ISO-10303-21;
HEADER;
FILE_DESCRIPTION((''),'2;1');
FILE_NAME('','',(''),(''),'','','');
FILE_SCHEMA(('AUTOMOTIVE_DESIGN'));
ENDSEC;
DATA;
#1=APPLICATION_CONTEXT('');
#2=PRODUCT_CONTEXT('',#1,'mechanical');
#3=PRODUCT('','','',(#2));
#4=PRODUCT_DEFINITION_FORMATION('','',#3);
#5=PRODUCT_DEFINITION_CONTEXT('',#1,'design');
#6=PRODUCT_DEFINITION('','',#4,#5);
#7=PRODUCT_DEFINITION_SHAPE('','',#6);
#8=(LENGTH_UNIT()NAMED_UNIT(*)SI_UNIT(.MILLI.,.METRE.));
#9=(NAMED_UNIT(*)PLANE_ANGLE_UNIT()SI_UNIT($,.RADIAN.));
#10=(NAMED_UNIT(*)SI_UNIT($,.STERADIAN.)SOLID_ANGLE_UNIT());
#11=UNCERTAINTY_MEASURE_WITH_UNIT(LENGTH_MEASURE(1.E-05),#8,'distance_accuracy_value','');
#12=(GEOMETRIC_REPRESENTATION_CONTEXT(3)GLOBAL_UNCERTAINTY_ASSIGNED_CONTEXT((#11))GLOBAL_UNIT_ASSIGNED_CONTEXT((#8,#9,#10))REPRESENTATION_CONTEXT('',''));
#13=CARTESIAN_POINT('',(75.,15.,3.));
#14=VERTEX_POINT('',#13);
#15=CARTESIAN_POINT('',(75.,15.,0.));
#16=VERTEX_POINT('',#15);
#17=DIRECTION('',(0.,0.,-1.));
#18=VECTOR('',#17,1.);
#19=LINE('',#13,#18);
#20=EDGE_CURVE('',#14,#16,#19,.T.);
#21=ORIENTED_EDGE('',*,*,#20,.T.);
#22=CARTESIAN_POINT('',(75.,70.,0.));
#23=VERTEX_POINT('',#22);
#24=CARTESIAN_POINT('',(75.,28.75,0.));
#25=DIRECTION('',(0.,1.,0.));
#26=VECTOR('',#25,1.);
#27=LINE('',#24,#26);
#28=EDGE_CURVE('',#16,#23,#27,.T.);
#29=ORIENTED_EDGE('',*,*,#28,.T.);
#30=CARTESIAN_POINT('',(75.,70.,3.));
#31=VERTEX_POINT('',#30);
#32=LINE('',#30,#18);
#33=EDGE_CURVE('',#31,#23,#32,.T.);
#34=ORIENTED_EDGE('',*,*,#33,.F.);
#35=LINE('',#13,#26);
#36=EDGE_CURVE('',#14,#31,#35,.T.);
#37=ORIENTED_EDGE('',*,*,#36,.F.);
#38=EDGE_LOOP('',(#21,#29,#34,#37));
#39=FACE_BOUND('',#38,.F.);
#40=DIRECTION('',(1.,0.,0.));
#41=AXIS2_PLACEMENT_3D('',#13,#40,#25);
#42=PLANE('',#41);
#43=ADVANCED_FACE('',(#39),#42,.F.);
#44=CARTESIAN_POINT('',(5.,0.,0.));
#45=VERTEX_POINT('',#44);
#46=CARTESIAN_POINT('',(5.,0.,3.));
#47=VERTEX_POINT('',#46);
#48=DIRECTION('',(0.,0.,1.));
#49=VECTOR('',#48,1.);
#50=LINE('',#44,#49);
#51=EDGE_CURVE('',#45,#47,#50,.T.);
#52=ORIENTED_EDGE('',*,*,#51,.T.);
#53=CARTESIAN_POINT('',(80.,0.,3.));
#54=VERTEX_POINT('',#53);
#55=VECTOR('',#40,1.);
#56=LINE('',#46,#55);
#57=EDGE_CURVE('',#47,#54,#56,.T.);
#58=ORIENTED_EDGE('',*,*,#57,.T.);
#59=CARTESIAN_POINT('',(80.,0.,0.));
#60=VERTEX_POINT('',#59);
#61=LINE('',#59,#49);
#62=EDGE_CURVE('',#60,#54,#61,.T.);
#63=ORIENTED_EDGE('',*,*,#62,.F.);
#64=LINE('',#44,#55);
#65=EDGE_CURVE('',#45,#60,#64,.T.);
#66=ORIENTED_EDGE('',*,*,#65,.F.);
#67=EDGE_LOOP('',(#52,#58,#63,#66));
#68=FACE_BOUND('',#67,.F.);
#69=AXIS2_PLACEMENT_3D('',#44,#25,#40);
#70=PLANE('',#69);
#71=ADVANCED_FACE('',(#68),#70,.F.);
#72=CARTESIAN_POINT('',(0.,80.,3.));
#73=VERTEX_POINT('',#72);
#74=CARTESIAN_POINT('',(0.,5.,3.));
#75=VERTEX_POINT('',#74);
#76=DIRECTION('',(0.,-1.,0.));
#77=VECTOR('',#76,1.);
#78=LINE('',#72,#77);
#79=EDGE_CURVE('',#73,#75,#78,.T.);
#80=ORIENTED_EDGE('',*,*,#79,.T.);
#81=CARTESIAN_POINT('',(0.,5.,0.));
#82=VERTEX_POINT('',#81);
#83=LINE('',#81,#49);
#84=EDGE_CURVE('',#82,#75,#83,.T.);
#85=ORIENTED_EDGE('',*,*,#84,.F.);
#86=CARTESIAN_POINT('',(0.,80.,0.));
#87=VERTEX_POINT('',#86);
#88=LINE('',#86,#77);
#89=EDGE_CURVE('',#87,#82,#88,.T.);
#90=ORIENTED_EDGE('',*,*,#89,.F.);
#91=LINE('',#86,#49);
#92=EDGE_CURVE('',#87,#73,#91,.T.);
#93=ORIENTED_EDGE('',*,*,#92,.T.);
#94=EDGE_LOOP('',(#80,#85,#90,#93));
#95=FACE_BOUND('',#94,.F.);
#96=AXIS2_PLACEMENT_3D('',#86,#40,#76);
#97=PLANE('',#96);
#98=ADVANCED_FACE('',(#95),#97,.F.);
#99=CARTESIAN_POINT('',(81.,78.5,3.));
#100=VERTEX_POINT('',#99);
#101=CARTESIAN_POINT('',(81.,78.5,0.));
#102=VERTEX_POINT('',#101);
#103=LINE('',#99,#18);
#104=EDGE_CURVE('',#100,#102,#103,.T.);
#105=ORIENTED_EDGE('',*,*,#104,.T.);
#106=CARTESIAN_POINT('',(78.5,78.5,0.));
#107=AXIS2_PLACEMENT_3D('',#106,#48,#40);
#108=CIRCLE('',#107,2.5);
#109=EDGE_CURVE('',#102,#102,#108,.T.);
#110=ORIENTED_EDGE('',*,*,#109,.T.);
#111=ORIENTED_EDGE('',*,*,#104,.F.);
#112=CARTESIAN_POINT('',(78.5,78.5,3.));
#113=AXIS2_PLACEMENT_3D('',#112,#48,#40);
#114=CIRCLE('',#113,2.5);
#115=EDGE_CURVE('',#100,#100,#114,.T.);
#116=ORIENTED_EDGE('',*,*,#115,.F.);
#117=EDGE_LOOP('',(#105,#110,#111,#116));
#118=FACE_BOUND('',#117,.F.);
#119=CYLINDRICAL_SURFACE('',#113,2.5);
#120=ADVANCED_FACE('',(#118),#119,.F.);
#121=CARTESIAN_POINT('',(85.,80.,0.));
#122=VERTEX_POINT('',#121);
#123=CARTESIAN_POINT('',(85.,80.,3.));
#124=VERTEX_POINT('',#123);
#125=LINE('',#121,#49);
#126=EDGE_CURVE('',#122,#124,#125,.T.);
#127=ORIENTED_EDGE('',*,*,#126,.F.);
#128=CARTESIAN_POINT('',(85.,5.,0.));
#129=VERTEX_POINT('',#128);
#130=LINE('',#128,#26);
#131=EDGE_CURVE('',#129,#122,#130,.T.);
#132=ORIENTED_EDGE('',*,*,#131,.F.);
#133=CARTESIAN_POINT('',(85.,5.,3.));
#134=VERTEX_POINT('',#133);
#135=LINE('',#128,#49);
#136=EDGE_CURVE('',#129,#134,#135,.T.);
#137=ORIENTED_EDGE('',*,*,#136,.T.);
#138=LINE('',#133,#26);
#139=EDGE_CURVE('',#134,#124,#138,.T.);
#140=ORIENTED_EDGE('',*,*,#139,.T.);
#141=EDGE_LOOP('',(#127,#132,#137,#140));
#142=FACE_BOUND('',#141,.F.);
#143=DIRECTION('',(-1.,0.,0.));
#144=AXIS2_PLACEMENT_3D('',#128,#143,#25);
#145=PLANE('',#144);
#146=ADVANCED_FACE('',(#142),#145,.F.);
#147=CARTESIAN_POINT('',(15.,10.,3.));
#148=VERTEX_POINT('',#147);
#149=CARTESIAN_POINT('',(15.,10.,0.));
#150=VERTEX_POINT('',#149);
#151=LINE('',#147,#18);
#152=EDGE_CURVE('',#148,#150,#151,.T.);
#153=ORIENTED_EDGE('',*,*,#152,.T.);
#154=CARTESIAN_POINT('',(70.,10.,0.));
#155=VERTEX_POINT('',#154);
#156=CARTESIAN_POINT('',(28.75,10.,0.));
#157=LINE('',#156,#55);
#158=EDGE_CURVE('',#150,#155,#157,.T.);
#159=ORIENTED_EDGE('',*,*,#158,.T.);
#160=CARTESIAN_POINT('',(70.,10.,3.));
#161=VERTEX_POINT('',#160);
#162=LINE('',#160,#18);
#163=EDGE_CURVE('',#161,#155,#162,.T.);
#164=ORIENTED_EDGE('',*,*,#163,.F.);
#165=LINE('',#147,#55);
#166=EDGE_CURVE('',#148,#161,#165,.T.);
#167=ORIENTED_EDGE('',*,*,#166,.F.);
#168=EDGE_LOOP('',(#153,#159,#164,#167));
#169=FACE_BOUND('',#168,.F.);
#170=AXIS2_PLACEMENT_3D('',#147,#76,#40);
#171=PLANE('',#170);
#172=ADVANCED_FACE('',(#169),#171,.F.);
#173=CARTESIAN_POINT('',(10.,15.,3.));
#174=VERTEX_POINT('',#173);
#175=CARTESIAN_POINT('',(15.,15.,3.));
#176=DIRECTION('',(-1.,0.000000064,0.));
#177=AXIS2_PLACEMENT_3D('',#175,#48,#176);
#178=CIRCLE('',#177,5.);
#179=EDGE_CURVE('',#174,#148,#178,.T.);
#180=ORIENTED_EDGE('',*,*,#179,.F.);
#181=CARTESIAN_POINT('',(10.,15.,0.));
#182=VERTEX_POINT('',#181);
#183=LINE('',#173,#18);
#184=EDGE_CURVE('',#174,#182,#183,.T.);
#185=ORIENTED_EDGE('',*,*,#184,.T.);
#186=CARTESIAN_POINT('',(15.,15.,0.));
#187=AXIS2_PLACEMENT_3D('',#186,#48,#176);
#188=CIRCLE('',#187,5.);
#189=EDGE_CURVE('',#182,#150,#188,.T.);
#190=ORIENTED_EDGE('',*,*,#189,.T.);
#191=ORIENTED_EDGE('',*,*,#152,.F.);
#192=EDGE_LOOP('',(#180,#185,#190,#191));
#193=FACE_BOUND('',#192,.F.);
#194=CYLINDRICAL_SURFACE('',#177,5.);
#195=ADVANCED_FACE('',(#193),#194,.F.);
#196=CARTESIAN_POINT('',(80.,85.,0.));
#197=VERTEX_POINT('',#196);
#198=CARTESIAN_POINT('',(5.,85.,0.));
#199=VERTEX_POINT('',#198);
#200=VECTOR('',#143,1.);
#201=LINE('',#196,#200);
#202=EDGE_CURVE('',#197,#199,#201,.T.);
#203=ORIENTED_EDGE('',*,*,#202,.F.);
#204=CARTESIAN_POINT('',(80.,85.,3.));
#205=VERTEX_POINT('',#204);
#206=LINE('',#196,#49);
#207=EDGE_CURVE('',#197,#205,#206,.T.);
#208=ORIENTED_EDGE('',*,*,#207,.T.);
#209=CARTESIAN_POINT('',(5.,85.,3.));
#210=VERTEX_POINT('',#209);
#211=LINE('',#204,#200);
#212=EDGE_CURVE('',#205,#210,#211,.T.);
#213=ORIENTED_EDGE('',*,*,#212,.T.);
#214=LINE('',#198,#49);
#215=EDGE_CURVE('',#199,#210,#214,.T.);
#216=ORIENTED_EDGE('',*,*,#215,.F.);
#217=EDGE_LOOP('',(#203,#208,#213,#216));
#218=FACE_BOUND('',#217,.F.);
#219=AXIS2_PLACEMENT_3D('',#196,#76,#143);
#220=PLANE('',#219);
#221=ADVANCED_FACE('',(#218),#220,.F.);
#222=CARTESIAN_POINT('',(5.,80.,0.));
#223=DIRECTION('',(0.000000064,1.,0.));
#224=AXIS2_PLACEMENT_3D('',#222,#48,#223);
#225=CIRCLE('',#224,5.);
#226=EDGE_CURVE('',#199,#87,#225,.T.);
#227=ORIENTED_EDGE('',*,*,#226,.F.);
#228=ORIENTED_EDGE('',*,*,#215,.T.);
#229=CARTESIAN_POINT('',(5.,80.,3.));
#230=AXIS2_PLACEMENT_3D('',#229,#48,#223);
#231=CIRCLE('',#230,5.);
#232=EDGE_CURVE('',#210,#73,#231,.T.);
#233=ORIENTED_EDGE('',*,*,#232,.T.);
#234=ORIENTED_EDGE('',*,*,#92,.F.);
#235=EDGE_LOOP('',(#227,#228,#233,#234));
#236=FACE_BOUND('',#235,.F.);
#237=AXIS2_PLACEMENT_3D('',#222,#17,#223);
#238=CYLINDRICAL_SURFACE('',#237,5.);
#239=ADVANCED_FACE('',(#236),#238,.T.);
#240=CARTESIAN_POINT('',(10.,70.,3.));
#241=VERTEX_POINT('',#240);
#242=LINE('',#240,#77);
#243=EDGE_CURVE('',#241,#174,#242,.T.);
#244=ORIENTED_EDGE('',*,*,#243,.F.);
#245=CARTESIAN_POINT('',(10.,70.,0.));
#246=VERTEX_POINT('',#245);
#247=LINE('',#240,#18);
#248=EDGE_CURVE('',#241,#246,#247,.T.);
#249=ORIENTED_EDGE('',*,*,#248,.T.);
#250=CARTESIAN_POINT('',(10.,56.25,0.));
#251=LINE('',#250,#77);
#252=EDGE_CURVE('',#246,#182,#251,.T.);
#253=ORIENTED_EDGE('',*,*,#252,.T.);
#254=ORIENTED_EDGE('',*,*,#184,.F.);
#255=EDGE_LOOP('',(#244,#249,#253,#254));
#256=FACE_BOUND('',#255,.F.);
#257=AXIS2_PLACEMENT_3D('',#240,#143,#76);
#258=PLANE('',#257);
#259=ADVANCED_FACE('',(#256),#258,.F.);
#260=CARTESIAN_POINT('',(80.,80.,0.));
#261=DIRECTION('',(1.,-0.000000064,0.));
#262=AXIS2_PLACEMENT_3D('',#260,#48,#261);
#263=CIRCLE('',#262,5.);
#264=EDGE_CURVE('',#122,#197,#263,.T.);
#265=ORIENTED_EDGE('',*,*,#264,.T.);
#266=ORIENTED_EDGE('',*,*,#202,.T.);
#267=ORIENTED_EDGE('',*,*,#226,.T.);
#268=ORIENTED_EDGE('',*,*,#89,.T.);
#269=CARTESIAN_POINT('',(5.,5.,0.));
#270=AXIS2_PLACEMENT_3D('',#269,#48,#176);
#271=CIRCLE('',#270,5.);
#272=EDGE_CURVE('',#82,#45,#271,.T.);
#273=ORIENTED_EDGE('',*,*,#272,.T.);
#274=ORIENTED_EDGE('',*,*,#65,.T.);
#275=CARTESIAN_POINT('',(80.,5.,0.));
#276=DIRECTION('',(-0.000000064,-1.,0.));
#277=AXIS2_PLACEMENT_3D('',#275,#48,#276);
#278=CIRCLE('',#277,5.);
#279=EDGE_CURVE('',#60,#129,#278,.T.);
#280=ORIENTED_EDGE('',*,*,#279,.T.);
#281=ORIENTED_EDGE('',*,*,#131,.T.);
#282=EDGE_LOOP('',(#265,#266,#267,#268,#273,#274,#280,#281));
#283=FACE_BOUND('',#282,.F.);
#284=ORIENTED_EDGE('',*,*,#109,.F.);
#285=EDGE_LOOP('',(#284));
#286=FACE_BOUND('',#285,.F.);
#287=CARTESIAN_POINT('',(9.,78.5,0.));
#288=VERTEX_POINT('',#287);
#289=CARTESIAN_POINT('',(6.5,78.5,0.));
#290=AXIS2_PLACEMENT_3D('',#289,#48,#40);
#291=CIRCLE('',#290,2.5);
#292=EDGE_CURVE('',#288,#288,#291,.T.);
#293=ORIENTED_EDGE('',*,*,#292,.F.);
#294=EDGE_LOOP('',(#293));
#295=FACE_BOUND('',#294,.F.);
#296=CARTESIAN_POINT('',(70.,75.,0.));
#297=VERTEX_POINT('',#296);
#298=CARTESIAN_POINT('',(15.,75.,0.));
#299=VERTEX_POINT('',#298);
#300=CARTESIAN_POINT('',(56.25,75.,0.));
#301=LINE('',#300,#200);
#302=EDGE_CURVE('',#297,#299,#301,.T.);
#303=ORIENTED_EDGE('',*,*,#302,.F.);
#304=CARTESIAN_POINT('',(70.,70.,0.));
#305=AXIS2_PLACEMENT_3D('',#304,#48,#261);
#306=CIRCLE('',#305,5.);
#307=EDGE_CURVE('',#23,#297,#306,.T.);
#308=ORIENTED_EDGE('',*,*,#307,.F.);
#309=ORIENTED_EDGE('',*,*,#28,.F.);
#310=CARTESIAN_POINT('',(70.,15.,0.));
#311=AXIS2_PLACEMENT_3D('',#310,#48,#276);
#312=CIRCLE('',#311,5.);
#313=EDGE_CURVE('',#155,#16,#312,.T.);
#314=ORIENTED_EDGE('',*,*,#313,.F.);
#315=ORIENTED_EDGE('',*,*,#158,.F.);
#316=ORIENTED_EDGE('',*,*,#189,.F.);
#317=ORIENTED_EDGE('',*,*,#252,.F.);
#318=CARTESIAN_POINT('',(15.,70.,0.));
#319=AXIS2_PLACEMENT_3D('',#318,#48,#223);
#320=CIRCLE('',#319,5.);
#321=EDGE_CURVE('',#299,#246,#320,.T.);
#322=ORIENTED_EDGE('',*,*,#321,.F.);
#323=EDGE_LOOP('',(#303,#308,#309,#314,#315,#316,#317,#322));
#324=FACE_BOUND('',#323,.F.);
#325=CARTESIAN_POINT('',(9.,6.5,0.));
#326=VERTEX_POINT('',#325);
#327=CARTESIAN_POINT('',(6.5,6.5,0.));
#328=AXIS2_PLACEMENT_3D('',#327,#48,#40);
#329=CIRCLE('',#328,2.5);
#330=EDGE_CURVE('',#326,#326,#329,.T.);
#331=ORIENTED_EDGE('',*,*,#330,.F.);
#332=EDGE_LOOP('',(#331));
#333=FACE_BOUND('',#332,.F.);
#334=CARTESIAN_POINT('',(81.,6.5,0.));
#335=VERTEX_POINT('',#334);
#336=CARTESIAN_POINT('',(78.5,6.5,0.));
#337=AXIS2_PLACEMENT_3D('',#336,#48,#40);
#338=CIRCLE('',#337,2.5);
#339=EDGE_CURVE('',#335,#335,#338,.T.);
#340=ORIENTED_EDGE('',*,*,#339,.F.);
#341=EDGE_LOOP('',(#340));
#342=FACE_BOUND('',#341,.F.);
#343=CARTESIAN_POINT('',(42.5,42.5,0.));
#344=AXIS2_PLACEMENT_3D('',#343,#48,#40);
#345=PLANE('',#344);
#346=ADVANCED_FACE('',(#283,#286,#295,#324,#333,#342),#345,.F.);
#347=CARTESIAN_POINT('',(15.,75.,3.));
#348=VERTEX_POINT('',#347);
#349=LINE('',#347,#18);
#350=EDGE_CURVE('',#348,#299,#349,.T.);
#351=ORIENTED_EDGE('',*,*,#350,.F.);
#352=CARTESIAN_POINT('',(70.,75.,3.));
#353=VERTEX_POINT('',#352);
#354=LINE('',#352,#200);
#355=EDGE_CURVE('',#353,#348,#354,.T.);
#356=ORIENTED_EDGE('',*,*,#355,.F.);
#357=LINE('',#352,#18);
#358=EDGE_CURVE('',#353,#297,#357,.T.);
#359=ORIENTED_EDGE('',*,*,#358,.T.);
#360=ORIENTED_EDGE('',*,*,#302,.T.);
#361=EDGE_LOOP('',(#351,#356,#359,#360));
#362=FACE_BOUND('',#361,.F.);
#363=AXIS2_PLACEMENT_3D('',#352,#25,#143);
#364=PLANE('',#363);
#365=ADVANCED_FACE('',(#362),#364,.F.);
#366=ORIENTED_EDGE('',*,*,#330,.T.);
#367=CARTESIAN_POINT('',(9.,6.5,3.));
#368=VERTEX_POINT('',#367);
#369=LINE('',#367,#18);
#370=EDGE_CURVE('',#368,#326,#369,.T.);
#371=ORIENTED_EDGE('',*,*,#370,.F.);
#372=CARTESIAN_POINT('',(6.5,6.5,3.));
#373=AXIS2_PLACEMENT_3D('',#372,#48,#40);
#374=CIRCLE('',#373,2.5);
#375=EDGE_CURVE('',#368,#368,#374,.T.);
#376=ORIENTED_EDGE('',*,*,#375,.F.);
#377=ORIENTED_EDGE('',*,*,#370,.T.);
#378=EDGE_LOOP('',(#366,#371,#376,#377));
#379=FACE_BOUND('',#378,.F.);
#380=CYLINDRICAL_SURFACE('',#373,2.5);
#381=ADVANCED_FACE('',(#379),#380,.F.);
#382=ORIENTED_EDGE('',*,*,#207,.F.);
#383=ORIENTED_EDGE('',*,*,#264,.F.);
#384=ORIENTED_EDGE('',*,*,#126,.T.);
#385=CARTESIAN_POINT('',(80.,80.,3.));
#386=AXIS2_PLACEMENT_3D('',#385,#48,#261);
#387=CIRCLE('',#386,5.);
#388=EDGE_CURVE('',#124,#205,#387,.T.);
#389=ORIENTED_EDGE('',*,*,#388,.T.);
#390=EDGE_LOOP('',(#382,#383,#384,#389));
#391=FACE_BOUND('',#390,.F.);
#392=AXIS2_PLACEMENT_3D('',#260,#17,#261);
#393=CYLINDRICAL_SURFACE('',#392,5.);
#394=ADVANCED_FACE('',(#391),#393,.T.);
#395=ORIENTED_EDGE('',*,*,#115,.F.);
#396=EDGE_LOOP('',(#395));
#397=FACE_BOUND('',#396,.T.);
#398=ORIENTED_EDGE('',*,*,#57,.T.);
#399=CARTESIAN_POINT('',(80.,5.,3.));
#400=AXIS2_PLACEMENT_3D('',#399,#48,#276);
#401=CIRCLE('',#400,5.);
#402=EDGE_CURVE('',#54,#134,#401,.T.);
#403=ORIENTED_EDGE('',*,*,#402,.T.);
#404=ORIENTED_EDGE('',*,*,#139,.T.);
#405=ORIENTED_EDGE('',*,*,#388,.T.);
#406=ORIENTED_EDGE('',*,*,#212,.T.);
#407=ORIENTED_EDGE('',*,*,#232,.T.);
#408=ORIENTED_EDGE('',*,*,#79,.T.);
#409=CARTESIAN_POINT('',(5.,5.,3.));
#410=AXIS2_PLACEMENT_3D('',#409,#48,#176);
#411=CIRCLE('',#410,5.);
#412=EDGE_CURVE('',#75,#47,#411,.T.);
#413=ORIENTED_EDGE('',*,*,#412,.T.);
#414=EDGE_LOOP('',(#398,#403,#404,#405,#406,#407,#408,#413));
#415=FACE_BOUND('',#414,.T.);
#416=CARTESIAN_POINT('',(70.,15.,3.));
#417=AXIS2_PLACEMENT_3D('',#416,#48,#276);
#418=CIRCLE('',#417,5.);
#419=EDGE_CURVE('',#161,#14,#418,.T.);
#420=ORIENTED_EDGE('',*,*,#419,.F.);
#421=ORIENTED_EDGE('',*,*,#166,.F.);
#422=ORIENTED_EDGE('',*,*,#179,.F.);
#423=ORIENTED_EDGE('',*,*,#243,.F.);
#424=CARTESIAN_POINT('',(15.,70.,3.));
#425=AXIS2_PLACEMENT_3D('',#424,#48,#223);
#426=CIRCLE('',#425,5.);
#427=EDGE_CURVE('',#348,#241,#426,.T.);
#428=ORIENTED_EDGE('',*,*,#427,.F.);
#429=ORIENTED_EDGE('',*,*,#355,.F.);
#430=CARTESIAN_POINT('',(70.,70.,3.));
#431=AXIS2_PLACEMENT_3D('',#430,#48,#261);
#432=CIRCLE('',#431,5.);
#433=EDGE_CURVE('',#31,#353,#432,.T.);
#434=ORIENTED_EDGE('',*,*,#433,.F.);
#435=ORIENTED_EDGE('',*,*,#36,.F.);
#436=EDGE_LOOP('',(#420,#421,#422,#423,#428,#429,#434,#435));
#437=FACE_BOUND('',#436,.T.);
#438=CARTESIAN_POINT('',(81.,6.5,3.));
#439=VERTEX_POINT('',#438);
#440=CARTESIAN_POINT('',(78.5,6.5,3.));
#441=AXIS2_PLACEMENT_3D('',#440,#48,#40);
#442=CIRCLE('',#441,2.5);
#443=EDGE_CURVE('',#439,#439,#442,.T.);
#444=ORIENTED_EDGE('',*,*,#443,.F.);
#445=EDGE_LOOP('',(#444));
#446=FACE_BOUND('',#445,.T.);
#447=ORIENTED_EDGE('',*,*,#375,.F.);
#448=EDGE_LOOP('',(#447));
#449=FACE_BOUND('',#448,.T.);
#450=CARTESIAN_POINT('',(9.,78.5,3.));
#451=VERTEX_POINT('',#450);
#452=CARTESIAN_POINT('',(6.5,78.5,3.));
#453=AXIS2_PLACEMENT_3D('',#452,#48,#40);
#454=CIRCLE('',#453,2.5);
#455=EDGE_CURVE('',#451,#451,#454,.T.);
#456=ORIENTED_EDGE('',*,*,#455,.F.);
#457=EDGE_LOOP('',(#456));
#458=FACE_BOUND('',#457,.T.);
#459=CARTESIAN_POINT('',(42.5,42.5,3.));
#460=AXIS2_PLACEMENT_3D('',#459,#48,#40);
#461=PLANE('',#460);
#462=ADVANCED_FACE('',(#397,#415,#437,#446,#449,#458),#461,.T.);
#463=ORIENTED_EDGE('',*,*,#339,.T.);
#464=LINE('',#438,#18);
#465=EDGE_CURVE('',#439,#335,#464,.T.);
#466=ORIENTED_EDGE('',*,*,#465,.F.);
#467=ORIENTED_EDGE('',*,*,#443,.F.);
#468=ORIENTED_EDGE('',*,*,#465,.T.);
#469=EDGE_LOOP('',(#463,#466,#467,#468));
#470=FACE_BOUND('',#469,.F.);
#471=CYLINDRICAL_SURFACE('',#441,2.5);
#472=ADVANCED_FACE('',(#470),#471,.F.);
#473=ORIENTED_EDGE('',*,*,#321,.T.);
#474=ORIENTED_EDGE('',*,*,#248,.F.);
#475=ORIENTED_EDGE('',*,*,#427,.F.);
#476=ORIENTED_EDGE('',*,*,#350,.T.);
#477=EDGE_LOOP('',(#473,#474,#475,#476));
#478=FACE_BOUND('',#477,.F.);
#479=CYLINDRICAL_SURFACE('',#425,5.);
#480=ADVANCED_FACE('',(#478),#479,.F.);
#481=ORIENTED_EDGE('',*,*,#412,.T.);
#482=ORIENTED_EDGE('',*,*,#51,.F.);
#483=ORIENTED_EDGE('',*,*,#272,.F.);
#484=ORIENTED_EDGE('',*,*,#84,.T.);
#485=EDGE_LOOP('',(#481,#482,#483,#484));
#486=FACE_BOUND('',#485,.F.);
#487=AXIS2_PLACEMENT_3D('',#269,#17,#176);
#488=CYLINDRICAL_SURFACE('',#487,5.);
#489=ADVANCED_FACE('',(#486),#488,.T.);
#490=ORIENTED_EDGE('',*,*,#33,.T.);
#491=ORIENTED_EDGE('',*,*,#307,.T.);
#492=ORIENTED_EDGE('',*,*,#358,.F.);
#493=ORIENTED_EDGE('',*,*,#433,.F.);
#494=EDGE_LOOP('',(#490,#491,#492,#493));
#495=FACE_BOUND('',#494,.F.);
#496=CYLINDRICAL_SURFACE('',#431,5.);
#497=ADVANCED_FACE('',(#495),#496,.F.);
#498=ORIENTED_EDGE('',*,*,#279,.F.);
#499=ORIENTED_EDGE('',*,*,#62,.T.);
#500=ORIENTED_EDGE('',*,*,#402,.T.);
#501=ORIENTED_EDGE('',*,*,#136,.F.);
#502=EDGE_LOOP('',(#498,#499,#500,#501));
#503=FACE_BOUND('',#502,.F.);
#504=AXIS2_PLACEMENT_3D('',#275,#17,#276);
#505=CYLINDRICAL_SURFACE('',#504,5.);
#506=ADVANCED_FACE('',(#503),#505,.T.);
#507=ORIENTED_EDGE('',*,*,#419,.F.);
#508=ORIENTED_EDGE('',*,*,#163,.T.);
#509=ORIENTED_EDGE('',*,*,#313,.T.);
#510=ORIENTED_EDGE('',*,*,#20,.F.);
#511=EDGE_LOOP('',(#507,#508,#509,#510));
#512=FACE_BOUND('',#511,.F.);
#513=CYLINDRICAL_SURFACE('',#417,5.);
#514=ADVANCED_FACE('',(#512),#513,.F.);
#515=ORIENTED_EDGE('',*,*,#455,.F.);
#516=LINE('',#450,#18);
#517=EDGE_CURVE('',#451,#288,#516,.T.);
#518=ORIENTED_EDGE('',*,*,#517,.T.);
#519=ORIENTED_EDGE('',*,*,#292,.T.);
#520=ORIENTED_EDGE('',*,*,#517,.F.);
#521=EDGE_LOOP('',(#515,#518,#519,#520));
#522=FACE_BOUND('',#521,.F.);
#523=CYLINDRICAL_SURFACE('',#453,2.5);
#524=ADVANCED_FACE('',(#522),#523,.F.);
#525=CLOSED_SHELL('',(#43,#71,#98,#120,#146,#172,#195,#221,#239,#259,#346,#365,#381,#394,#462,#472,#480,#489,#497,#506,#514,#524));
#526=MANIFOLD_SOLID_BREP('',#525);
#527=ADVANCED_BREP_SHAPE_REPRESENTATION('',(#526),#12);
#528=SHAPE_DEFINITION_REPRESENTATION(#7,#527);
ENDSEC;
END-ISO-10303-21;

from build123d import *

# Parameters (mm, degrees)
F1_DEPTH = 3
F2_R     = 2.5
F3_DEPTH = 3.001


with BuildPart() as f1:
    # F0 (on Top) → F1 (new body)
    with BuildSketch(Plane.XY):
        with BuildLine():
            ThreePointArc((0, 5), (1.464466, 1.464466), (5, 0))
            Line((5, 0), (80, 0))
            ThreePointArc((80, 0), (83.535534, 1.464466), (85, 5))
            Line((85, 5), (85, 80))
            ThreePointArc((85, 80), (83.535534, 83.535534), (80, 85))
            Line((80, 85), (5, 85))
            ThreePointArc((5, 85), (1.464466, 83.535534), (0, 80))
            Line((0, 80), (0, 5))
        make_face()
    extrude(amount=F1_DEPTH)

    # F2 (on face) → F3 (cut, through all)
    with BuildSketch(Plane.XY.offset(3)):
        with Locations((6.5, 6.5)):
            Circle(F2_R)
        with Locations((6.5, 78.5)):
            Circle(F2_R)
        with Locations((78.5, 6.5)):
            Circle(F2_R)
        with Locations((78.5, 78.5)):
            Circle(F2_R)
        with BuildLine():
            Line((70, 75), (15, 75))
            ThreePointArc((15, 75), (11.464466, 73.535534), (10, 70))
            Line((10, 70), (10, 15))
            ThreePointArc((10, 15), (11.464466, 11.464466), (15, 10))
            Line((15, 10), (70, 10))
            ThreePointArc((70, 10), (73.535534, 11.464466), (75, 15))
            Line((75, 15), (75, 70))
            ThreePointArc((75, 70), (73.535534, 73.535534), (70, 75))
        make_face()
    extrude(amount=-F3_DEPTH, mode=Mode.SUBTRACT)


solid = f1.part
